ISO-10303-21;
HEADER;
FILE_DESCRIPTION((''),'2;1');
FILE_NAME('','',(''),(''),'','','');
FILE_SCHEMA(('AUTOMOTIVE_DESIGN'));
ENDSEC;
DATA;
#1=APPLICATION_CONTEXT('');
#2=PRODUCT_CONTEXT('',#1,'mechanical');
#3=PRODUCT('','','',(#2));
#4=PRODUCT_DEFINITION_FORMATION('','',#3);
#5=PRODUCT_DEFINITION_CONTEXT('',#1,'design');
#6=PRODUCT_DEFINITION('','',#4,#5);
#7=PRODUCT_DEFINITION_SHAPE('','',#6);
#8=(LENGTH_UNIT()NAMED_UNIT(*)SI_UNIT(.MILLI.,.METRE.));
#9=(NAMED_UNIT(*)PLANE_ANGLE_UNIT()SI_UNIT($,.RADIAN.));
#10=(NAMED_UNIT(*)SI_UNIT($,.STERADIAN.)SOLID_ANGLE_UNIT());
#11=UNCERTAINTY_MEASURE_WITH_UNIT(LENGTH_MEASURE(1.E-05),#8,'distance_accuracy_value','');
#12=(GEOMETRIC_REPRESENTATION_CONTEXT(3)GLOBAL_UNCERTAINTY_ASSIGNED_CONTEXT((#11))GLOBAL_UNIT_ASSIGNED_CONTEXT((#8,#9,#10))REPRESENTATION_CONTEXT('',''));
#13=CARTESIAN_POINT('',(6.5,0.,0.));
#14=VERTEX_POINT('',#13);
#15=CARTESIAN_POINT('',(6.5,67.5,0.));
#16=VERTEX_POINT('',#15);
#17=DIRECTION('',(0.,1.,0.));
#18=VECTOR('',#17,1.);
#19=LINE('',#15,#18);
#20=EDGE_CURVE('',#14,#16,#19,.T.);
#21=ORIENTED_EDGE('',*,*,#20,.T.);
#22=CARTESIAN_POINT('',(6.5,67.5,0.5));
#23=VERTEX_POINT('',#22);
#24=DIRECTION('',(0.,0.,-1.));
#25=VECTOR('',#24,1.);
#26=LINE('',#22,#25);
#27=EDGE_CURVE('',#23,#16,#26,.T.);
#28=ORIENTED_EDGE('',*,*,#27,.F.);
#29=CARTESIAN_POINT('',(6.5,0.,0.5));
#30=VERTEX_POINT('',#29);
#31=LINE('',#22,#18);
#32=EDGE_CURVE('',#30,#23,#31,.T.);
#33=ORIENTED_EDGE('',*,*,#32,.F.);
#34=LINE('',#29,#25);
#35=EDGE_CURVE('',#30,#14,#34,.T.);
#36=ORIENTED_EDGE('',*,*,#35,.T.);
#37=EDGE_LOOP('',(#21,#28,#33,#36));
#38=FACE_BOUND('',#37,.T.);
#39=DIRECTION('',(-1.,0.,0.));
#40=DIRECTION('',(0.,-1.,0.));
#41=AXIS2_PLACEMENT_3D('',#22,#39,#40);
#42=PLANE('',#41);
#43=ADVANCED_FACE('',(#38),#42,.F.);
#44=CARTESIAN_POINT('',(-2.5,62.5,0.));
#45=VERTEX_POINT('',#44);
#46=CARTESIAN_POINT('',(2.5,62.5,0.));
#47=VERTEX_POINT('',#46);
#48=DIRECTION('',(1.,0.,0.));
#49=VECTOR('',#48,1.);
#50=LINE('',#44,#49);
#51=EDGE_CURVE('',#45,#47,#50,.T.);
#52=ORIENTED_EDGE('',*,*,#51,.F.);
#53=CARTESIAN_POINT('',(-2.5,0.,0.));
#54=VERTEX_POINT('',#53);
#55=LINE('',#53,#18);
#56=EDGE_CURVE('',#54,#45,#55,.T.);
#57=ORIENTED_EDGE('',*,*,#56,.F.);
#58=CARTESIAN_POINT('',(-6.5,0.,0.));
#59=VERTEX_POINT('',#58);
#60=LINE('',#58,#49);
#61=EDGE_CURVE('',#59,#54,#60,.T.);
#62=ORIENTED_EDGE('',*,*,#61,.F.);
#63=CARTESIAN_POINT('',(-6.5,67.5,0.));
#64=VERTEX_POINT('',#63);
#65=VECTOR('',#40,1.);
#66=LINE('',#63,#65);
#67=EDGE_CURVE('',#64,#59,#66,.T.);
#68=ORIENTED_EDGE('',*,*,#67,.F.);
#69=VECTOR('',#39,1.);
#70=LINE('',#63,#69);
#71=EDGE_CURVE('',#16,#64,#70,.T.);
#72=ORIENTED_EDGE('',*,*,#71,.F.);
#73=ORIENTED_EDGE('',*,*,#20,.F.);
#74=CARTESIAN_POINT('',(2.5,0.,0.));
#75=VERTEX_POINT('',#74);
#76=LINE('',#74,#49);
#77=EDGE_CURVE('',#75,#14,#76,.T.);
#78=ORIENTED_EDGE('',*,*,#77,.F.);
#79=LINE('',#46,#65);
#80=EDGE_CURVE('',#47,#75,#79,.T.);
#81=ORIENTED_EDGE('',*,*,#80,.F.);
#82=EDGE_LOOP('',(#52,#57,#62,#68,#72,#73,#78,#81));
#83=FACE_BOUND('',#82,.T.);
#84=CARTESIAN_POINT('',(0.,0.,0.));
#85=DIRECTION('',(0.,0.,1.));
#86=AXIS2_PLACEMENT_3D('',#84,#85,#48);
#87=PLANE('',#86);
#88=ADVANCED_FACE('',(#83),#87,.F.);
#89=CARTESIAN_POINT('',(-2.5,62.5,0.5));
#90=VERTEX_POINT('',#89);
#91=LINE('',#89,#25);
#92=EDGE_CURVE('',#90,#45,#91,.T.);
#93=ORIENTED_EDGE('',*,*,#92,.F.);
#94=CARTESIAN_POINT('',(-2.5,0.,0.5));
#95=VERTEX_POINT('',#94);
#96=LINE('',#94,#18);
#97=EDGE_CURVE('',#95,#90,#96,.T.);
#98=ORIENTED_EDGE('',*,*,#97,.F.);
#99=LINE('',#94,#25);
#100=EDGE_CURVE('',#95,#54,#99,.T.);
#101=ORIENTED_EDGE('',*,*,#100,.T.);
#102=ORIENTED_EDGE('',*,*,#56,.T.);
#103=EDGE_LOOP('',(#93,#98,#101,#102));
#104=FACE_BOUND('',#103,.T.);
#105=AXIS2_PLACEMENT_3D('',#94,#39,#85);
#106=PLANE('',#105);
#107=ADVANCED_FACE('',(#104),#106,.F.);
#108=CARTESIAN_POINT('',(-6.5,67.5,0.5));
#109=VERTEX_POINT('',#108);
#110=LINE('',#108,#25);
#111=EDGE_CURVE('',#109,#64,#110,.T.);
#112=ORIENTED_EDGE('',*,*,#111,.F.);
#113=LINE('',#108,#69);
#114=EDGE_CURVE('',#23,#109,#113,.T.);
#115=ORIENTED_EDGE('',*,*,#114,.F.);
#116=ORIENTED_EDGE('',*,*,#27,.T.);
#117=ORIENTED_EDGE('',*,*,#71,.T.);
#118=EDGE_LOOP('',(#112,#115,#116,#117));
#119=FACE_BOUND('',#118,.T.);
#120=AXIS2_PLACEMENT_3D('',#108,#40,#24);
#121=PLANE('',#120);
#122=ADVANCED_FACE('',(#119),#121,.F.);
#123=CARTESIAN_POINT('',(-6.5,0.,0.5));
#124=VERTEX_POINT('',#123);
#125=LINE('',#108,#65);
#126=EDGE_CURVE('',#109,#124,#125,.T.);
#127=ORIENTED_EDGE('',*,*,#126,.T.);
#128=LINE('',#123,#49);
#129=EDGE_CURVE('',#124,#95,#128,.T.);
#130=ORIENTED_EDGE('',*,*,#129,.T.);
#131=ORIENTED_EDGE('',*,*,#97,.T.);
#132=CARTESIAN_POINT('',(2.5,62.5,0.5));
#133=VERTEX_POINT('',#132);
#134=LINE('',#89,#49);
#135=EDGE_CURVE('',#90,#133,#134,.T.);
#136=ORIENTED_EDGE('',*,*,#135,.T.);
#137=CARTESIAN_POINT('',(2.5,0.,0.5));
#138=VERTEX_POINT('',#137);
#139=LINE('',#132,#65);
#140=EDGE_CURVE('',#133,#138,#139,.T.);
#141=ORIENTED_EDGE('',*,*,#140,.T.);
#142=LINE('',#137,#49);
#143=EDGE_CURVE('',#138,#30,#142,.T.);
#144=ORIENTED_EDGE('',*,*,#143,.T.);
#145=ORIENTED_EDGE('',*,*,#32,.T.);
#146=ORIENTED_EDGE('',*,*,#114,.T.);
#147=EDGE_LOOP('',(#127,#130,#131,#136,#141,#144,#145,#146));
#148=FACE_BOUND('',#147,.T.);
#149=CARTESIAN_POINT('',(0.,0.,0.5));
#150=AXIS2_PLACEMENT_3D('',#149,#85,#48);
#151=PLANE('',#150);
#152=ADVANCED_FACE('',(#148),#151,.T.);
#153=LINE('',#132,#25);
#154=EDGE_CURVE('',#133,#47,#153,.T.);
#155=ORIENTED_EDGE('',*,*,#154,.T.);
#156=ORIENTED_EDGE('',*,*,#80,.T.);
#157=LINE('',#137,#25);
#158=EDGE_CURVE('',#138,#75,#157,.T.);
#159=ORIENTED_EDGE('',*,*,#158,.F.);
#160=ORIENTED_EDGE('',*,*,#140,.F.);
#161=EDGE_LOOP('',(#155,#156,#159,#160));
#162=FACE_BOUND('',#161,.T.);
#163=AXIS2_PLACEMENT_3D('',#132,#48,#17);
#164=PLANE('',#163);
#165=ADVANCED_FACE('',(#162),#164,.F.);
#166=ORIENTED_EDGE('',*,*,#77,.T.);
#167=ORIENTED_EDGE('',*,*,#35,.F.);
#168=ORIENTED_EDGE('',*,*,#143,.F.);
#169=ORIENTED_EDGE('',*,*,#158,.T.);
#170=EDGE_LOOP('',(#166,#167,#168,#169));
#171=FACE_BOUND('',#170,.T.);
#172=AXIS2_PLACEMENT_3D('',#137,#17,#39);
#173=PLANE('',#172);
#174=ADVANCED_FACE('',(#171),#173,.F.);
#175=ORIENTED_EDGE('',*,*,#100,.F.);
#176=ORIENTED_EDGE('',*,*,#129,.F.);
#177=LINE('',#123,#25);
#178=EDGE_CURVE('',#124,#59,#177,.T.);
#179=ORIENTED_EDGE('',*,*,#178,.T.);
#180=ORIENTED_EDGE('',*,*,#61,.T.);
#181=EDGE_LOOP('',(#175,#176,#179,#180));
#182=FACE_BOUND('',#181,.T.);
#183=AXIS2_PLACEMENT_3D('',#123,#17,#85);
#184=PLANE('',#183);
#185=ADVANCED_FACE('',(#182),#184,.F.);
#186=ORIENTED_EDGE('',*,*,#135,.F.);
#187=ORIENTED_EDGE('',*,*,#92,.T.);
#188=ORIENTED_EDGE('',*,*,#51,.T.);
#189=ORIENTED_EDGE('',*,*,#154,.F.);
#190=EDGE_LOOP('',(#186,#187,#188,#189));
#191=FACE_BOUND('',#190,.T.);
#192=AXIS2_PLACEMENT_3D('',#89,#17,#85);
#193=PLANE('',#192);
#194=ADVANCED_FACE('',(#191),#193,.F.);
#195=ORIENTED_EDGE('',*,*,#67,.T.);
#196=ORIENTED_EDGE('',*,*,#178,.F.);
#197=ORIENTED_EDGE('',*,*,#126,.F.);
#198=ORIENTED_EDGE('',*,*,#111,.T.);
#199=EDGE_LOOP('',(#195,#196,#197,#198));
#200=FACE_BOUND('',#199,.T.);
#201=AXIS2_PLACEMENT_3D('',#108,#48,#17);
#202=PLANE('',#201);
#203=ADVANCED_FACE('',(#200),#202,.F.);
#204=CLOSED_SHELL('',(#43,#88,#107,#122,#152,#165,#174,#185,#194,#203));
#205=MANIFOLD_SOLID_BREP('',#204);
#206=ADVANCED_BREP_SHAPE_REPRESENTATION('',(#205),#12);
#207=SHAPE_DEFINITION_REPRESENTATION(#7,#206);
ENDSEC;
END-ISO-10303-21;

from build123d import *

# Parameters (mm, degrees)
EXTRUDE_1_DEPTH = 0.5


with BuildPart() as part:
    # 草图1 → 凸台-拉伸1 (new body)
    with BuildSketch(Plane.XY):
        Polygon((-2.5, 0), (-2.5, 62.5), (2.5, 62.5), (2.5, 0), (6.5, 0), (6.5, 67.5), (-6.5, 67.5), (-6.5, 0), align=None)
    extrude(amount=EXTRUDE_1_DEPTH)


solid = part.part
